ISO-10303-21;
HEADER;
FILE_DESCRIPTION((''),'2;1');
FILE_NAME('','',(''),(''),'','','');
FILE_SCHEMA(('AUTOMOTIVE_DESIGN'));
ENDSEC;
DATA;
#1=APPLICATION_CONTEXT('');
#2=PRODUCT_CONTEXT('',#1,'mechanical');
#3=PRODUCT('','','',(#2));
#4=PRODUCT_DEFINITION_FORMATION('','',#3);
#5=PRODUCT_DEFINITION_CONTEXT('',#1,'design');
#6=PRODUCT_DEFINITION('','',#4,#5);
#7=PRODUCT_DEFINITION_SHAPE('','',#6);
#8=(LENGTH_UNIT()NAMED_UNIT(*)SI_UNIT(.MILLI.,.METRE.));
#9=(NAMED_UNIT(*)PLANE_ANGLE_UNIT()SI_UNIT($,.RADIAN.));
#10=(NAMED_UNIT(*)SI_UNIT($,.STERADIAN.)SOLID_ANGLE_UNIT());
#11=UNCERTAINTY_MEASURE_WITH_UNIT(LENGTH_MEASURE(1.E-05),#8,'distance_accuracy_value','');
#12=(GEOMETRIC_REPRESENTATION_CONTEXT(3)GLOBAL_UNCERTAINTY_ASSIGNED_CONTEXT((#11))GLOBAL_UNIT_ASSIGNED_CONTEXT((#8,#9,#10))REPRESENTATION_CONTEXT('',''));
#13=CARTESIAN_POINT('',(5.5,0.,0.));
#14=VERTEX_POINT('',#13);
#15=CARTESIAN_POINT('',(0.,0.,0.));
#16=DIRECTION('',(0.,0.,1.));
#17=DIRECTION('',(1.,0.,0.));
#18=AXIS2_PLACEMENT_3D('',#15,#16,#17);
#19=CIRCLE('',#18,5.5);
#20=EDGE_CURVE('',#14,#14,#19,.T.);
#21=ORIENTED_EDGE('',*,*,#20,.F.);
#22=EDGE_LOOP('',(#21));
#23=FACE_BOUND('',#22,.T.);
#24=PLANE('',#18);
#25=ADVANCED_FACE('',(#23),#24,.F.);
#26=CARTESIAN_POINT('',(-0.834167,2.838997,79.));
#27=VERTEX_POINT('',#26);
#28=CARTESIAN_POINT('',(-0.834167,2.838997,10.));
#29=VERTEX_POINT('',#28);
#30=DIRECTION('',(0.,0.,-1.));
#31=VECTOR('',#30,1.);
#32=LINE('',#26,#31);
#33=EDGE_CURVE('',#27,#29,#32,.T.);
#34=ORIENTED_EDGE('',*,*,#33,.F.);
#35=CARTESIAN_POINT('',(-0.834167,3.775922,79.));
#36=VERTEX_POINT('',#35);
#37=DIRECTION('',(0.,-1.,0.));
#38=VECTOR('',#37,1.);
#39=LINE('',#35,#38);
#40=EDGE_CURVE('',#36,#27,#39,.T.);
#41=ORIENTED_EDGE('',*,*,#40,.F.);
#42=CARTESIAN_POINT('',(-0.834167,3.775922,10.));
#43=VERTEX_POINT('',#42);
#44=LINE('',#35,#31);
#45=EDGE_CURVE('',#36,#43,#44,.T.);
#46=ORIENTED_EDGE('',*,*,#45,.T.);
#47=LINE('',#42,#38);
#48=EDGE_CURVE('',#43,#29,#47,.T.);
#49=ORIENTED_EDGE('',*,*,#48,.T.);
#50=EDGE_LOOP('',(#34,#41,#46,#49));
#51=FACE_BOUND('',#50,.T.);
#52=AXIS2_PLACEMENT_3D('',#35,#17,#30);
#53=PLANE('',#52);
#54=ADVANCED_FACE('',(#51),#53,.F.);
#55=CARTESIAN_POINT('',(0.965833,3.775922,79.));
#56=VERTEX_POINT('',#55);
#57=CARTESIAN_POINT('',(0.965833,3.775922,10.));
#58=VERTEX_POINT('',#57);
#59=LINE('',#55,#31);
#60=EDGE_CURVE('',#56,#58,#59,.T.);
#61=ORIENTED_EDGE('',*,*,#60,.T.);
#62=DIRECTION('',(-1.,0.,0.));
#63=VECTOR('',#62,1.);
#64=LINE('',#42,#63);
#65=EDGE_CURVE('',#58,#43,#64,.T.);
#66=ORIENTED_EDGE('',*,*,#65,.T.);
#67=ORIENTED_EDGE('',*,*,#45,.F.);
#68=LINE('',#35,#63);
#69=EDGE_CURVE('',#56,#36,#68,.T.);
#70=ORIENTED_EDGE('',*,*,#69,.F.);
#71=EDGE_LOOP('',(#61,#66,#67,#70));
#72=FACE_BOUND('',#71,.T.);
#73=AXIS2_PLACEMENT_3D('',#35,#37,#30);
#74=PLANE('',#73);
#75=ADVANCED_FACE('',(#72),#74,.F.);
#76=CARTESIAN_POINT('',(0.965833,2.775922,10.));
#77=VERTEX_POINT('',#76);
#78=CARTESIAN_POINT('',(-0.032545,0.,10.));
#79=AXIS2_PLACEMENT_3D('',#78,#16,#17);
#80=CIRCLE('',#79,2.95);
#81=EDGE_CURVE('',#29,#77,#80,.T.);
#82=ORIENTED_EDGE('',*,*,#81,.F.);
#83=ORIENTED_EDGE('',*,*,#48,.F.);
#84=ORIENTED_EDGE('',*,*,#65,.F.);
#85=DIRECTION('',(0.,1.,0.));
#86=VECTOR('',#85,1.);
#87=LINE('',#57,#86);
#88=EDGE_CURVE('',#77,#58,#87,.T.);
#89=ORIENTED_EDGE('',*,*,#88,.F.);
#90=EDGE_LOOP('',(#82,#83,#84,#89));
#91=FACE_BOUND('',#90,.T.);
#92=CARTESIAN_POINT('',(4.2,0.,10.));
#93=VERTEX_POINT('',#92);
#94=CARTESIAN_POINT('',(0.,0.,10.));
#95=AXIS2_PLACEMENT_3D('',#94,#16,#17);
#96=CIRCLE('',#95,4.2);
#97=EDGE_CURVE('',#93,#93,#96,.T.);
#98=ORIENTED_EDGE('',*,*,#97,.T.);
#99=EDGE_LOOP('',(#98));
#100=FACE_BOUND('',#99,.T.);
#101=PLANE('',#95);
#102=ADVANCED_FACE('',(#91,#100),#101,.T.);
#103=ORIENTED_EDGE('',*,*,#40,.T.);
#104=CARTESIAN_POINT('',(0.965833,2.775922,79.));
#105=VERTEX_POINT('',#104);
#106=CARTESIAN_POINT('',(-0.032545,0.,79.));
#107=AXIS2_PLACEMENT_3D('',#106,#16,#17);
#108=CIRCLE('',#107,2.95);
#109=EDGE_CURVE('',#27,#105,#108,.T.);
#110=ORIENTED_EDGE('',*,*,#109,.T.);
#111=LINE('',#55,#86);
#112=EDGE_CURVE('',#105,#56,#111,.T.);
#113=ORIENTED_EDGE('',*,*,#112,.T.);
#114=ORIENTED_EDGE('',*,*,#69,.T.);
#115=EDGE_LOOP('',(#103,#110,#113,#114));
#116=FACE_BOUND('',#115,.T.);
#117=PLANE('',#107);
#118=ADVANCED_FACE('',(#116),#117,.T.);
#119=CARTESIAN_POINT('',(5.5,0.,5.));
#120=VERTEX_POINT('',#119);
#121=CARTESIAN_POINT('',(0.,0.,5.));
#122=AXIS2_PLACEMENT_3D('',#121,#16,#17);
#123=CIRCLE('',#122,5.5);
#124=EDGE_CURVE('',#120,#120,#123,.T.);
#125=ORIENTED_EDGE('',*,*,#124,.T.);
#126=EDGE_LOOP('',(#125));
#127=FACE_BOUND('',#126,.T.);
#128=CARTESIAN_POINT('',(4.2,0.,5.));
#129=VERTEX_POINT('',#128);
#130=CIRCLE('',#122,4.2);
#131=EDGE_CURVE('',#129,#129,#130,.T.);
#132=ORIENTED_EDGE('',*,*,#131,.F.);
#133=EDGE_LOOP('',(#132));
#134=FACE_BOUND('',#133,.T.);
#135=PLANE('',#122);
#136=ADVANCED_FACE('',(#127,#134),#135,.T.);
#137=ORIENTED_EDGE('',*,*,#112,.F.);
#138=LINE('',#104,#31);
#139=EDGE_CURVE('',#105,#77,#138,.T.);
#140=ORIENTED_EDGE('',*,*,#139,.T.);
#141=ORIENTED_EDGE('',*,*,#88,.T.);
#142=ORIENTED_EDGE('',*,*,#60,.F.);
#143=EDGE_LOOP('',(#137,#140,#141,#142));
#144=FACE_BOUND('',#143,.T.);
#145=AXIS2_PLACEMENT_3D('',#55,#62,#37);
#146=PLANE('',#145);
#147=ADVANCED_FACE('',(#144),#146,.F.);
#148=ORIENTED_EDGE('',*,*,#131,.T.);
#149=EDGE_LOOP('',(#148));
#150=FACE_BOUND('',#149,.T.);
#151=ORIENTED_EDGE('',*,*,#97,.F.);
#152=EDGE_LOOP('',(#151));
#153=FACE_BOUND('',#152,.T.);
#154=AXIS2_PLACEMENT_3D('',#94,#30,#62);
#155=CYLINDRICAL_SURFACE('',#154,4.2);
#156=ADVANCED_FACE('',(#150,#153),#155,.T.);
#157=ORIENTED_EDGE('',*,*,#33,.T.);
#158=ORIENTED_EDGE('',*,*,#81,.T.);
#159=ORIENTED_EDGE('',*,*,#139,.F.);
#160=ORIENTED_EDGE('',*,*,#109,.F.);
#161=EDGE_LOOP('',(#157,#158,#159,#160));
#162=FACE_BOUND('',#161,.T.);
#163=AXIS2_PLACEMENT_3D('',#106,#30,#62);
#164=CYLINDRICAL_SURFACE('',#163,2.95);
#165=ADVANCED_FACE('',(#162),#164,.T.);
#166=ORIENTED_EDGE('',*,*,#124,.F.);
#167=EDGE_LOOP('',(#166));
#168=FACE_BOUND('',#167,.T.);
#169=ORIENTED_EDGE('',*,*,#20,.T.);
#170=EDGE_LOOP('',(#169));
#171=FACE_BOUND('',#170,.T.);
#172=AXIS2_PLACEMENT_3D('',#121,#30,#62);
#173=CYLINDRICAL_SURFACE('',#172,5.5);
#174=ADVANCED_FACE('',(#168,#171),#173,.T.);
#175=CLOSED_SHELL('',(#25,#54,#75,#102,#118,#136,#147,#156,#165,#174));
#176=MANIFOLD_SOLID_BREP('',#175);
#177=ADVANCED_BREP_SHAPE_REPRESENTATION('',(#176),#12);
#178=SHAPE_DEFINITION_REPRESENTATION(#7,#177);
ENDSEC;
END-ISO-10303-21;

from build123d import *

# Parameters (mm, degrees)
SKETCH1_R           = 5.5
BOSS_EXTRUDE1_DEPTH = 5
SKETCH3_R           = 4.2
BOSS_EXTRUDE3_DEPTH = 5
BOSS_EXTRUDE2_DEPTH = 69


with BuildPart() as part:
    # Sketch1 → Boss-Extrude1 (new body)
    with BuildSketch(Plane(origin=(0, 0, 0), x_dir=(0, 1, 0), z_dir=(0, 0, 1))):
        with Locations(Location((0, 0, 0), (0, 0, 270))):
            Circle(SKETCH1_R)
    extrude(amount=BOSS_EXTRUDE1_DEPTH)

    # Sketch3 → Boss-Extrude3 (add)
    with BuildSketch(Plane.XY.offset(5)):
        Circle(SKETCH3_R)
    extrude(amount=BOSS_EXTRUDE3_DEPTH)

    # Sketch2 → Boss-Extrude2 (add)
    with BuildSketch(Plane.XY.offset(10)):
        with BuildLine():
            Line((-0.834166667, 3.775921626), (0.965833333, 3.775921626))
            Line((0.965833333, 3.775921626), (0.965833333, 2.775921626))
            ThreePointArc((0.965833333, 2.775921626), (-0.13585463, -2.948190479), (-0.834166667, 2.838996753))
            Line((-0.834166667, 2.838996753), (-0.834166667, 3.775921626))
        make_face()
    extrude(amount=BOSS_EXTRUDE2_DEPTH)


solid = part.part
